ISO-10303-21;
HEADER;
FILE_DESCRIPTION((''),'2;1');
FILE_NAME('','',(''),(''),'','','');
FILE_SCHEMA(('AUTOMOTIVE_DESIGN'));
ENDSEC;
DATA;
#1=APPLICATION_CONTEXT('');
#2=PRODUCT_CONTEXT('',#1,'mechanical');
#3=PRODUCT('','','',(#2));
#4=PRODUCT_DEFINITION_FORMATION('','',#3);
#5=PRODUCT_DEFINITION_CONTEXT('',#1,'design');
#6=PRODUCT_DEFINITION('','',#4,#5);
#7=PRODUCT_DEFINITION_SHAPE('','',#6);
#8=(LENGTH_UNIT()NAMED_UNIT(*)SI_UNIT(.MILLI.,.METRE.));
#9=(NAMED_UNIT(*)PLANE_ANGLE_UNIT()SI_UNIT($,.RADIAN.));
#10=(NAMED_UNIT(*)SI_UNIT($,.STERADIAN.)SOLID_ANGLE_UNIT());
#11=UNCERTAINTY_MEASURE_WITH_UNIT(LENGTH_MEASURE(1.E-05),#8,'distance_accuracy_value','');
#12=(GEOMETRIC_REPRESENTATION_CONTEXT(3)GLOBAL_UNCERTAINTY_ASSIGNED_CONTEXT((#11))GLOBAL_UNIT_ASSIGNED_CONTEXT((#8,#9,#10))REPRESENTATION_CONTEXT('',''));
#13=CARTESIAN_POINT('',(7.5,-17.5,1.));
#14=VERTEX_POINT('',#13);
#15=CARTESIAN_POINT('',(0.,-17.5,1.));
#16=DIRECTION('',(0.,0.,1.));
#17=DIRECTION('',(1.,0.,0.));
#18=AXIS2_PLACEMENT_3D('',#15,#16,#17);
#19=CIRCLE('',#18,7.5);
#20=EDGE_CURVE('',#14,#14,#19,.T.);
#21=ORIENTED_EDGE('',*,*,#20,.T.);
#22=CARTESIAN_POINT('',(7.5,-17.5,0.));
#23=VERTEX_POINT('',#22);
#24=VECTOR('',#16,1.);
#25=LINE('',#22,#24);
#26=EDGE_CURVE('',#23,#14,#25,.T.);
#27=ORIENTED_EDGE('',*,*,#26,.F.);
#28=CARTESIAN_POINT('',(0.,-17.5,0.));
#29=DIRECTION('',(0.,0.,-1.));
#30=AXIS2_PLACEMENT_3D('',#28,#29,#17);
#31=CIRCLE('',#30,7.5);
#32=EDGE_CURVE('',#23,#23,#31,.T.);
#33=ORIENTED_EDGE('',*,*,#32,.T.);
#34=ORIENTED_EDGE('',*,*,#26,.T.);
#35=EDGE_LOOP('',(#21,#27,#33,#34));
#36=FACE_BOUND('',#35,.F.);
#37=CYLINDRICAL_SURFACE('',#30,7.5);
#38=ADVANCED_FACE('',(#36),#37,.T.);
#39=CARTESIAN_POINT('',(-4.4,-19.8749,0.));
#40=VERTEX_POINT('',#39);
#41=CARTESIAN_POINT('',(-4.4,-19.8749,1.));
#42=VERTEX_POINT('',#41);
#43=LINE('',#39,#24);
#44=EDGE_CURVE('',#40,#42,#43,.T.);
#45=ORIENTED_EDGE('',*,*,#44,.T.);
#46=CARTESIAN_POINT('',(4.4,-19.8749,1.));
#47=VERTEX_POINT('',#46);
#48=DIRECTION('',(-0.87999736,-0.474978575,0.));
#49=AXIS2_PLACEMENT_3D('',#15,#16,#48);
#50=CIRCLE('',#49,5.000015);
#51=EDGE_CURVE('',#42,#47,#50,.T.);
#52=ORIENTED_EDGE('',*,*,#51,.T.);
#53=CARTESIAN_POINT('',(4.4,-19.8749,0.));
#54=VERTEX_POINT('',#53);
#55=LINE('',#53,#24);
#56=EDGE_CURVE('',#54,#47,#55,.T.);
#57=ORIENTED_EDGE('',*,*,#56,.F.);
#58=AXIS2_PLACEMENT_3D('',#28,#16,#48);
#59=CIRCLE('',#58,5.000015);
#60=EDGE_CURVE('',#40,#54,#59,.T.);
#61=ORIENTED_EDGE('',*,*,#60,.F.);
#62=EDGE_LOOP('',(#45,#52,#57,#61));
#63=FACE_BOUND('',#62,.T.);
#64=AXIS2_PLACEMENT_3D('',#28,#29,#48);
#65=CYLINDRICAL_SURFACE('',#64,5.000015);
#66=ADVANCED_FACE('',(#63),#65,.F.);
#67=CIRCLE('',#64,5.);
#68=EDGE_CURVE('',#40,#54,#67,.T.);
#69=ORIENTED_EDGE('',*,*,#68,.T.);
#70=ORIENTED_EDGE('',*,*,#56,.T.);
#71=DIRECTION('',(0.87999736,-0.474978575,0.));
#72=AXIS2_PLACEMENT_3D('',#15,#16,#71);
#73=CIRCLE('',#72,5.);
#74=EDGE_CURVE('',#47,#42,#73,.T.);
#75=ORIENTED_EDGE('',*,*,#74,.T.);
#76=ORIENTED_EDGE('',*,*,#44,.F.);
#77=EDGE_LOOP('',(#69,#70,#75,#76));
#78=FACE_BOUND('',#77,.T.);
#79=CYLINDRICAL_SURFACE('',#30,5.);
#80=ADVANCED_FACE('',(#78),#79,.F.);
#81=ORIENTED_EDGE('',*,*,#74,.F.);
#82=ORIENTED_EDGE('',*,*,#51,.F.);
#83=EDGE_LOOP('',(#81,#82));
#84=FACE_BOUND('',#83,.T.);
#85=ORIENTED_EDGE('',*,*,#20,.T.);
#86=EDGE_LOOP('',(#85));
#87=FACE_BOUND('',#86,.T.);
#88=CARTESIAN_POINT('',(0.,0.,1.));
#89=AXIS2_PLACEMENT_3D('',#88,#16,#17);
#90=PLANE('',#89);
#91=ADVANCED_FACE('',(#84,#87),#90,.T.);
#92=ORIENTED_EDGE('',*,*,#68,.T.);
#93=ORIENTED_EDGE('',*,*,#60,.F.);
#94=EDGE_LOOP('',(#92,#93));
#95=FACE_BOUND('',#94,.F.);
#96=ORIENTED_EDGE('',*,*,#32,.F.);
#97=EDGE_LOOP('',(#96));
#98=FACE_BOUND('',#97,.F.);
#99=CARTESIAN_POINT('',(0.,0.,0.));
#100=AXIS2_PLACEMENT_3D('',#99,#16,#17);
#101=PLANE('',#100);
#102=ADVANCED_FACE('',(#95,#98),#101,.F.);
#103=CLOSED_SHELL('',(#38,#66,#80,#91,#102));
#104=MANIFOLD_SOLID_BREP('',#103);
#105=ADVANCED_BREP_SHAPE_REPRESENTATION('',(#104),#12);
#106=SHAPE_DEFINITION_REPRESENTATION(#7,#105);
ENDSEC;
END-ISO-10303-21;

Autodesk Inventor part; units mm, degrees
ref_plane "YZ Plane" through (0, 0, 0) normal (1, 0, 0) x (0, 1, 0)
ref_plane "XZ Plane" through (0, 0, 0) normal (0, 1, 0) x (-1, 0, 0)
ref_plane "XY Plane" through (0, 0, 0) normal (0, 0, 1) x (1, 0, 0)
ref_plane "작업 평면1" through (0, 0, 0) normal (0, 0, 1) x (1, 0, 0)
sketch "스케치1" plane through (0, 0, 0) normal (0, 0, 1) x (1, 0, 0)
  circle A0 centre (-3, -27.5) radius 1.35 projected
  circle A1 centre (3, -27.5) radius 1.35 projected
  line L0 (4.4, -3.4094) -> (4.4, -19.8749) projected
  arc A2 (-4.4, -19.8749) -> (4.4, -19.8749) centre (0, -17.5) ccw projected
  line L1 (-4.4, -19.8749) -> (-4.4, -3.4094) projected
  arc A3 (4.4, -3.4094) -> (-4.4, -3.4094) centre (0, -5.7843) ccw projected
  circle A4 centre (0, 22.5) radius 4 projected
  arc A5 (-2.7698, 16.0713) -> (2.7698, 16.0713) centre (0, 22.5) ccw projected
  arc A6 (5.5454, 14.4845) -> (2.7698, 16.0713) centre (3.5611, 14.2345) ccw projected
  line L2 (5.5454, 14.4845) -> (6.9428, 3.3933) projected
  arc A7 (3.9674, 1.4062) -> (6.9428, 3.3933) centre (4.9585, 3.1433) ccw projected
  arc A8 (3.9674, 1.4062) -> (-3.9674, 1.4062) centre (0, -5.5476) ccw projected
  arc A9 (-6.9428, 3.3933) -> (-3.9674, 1.4062) centre (-4.9585, 3.1433) ccw projected
  line L3 (-6.9428, 3.3933) -> (-5.5454, 14.4845) projected
  arc A10 (-2.7698, 16.0713) -> (-5.5454, 14.4845) centre (-3.5611, 14.2345) ccw projected
  arc A11 (-12.5, -19.9495) -> (-9.6429, -26.948) centre (-2.5, -19.9495) ccw projected
  arc A12 (-9.6429, -26.948) -> (9.6429, -26.948) centre (0, -17.5) ccw projected
  arc A13 (9.6429, -26.948) -> (12.5, -19.9495) centre (2.5, -19.9495) ccw projected
  line L4 (12.5, -19.9495) -> (12.5, -17.5) projected
  arc A14 (12.5, -17.5) -> (12.402, -15.9375) centre (0, -17.5) ccw projected
  line L5 (7.4412, 23.4375) -> (12.402, -15.9375) projected
  arc A15 (7.4412, 23.4375) -> (-7.4412, 23.4375) centre (0, 22.5) ccw projected
  line L6 (-12.402, -15.9375) -> (-7.4412, 23.4375) projected
  arc A16 (-12.402, -15.9375) -> (-12.5, -17.5) centre (0, -17.5) ccw projected
  line L7 (-12.5, -17.5) -> (-12.5, -19.9495) projected
  circle A17 centre (0, -17.5) radius 3 projected
  line L8 (-4.4, -16.5566) -> (-4.4, -18.4434) projected
  arc A18 (-4.4, -18.4434) -> (4.4, -18.4434) centre (0, -17.5) ccw projected
  line L9 (4.4, -18.4434) -> (4.4, -16.5566) projected
  arc A19 (4.4, -16.5566) -> (-4.4, -16.5566) centre (0, -17.5) ccw projected
  circle A20 centre (0, -17.5) radius 5
  circle A21 centre (0, -17.5) radius 7.5
  point P0 (0, 0)
  dimension "d0" = 10
  dimension "d1" = 15
extrude "돌출1" add sketch "스케치1" along normal blind 1 contours A20 L1 A21 L0 | L0 A21 L1 A20 A2
properties part number "WSSS15-10-1" material "스테인리스스틸"
